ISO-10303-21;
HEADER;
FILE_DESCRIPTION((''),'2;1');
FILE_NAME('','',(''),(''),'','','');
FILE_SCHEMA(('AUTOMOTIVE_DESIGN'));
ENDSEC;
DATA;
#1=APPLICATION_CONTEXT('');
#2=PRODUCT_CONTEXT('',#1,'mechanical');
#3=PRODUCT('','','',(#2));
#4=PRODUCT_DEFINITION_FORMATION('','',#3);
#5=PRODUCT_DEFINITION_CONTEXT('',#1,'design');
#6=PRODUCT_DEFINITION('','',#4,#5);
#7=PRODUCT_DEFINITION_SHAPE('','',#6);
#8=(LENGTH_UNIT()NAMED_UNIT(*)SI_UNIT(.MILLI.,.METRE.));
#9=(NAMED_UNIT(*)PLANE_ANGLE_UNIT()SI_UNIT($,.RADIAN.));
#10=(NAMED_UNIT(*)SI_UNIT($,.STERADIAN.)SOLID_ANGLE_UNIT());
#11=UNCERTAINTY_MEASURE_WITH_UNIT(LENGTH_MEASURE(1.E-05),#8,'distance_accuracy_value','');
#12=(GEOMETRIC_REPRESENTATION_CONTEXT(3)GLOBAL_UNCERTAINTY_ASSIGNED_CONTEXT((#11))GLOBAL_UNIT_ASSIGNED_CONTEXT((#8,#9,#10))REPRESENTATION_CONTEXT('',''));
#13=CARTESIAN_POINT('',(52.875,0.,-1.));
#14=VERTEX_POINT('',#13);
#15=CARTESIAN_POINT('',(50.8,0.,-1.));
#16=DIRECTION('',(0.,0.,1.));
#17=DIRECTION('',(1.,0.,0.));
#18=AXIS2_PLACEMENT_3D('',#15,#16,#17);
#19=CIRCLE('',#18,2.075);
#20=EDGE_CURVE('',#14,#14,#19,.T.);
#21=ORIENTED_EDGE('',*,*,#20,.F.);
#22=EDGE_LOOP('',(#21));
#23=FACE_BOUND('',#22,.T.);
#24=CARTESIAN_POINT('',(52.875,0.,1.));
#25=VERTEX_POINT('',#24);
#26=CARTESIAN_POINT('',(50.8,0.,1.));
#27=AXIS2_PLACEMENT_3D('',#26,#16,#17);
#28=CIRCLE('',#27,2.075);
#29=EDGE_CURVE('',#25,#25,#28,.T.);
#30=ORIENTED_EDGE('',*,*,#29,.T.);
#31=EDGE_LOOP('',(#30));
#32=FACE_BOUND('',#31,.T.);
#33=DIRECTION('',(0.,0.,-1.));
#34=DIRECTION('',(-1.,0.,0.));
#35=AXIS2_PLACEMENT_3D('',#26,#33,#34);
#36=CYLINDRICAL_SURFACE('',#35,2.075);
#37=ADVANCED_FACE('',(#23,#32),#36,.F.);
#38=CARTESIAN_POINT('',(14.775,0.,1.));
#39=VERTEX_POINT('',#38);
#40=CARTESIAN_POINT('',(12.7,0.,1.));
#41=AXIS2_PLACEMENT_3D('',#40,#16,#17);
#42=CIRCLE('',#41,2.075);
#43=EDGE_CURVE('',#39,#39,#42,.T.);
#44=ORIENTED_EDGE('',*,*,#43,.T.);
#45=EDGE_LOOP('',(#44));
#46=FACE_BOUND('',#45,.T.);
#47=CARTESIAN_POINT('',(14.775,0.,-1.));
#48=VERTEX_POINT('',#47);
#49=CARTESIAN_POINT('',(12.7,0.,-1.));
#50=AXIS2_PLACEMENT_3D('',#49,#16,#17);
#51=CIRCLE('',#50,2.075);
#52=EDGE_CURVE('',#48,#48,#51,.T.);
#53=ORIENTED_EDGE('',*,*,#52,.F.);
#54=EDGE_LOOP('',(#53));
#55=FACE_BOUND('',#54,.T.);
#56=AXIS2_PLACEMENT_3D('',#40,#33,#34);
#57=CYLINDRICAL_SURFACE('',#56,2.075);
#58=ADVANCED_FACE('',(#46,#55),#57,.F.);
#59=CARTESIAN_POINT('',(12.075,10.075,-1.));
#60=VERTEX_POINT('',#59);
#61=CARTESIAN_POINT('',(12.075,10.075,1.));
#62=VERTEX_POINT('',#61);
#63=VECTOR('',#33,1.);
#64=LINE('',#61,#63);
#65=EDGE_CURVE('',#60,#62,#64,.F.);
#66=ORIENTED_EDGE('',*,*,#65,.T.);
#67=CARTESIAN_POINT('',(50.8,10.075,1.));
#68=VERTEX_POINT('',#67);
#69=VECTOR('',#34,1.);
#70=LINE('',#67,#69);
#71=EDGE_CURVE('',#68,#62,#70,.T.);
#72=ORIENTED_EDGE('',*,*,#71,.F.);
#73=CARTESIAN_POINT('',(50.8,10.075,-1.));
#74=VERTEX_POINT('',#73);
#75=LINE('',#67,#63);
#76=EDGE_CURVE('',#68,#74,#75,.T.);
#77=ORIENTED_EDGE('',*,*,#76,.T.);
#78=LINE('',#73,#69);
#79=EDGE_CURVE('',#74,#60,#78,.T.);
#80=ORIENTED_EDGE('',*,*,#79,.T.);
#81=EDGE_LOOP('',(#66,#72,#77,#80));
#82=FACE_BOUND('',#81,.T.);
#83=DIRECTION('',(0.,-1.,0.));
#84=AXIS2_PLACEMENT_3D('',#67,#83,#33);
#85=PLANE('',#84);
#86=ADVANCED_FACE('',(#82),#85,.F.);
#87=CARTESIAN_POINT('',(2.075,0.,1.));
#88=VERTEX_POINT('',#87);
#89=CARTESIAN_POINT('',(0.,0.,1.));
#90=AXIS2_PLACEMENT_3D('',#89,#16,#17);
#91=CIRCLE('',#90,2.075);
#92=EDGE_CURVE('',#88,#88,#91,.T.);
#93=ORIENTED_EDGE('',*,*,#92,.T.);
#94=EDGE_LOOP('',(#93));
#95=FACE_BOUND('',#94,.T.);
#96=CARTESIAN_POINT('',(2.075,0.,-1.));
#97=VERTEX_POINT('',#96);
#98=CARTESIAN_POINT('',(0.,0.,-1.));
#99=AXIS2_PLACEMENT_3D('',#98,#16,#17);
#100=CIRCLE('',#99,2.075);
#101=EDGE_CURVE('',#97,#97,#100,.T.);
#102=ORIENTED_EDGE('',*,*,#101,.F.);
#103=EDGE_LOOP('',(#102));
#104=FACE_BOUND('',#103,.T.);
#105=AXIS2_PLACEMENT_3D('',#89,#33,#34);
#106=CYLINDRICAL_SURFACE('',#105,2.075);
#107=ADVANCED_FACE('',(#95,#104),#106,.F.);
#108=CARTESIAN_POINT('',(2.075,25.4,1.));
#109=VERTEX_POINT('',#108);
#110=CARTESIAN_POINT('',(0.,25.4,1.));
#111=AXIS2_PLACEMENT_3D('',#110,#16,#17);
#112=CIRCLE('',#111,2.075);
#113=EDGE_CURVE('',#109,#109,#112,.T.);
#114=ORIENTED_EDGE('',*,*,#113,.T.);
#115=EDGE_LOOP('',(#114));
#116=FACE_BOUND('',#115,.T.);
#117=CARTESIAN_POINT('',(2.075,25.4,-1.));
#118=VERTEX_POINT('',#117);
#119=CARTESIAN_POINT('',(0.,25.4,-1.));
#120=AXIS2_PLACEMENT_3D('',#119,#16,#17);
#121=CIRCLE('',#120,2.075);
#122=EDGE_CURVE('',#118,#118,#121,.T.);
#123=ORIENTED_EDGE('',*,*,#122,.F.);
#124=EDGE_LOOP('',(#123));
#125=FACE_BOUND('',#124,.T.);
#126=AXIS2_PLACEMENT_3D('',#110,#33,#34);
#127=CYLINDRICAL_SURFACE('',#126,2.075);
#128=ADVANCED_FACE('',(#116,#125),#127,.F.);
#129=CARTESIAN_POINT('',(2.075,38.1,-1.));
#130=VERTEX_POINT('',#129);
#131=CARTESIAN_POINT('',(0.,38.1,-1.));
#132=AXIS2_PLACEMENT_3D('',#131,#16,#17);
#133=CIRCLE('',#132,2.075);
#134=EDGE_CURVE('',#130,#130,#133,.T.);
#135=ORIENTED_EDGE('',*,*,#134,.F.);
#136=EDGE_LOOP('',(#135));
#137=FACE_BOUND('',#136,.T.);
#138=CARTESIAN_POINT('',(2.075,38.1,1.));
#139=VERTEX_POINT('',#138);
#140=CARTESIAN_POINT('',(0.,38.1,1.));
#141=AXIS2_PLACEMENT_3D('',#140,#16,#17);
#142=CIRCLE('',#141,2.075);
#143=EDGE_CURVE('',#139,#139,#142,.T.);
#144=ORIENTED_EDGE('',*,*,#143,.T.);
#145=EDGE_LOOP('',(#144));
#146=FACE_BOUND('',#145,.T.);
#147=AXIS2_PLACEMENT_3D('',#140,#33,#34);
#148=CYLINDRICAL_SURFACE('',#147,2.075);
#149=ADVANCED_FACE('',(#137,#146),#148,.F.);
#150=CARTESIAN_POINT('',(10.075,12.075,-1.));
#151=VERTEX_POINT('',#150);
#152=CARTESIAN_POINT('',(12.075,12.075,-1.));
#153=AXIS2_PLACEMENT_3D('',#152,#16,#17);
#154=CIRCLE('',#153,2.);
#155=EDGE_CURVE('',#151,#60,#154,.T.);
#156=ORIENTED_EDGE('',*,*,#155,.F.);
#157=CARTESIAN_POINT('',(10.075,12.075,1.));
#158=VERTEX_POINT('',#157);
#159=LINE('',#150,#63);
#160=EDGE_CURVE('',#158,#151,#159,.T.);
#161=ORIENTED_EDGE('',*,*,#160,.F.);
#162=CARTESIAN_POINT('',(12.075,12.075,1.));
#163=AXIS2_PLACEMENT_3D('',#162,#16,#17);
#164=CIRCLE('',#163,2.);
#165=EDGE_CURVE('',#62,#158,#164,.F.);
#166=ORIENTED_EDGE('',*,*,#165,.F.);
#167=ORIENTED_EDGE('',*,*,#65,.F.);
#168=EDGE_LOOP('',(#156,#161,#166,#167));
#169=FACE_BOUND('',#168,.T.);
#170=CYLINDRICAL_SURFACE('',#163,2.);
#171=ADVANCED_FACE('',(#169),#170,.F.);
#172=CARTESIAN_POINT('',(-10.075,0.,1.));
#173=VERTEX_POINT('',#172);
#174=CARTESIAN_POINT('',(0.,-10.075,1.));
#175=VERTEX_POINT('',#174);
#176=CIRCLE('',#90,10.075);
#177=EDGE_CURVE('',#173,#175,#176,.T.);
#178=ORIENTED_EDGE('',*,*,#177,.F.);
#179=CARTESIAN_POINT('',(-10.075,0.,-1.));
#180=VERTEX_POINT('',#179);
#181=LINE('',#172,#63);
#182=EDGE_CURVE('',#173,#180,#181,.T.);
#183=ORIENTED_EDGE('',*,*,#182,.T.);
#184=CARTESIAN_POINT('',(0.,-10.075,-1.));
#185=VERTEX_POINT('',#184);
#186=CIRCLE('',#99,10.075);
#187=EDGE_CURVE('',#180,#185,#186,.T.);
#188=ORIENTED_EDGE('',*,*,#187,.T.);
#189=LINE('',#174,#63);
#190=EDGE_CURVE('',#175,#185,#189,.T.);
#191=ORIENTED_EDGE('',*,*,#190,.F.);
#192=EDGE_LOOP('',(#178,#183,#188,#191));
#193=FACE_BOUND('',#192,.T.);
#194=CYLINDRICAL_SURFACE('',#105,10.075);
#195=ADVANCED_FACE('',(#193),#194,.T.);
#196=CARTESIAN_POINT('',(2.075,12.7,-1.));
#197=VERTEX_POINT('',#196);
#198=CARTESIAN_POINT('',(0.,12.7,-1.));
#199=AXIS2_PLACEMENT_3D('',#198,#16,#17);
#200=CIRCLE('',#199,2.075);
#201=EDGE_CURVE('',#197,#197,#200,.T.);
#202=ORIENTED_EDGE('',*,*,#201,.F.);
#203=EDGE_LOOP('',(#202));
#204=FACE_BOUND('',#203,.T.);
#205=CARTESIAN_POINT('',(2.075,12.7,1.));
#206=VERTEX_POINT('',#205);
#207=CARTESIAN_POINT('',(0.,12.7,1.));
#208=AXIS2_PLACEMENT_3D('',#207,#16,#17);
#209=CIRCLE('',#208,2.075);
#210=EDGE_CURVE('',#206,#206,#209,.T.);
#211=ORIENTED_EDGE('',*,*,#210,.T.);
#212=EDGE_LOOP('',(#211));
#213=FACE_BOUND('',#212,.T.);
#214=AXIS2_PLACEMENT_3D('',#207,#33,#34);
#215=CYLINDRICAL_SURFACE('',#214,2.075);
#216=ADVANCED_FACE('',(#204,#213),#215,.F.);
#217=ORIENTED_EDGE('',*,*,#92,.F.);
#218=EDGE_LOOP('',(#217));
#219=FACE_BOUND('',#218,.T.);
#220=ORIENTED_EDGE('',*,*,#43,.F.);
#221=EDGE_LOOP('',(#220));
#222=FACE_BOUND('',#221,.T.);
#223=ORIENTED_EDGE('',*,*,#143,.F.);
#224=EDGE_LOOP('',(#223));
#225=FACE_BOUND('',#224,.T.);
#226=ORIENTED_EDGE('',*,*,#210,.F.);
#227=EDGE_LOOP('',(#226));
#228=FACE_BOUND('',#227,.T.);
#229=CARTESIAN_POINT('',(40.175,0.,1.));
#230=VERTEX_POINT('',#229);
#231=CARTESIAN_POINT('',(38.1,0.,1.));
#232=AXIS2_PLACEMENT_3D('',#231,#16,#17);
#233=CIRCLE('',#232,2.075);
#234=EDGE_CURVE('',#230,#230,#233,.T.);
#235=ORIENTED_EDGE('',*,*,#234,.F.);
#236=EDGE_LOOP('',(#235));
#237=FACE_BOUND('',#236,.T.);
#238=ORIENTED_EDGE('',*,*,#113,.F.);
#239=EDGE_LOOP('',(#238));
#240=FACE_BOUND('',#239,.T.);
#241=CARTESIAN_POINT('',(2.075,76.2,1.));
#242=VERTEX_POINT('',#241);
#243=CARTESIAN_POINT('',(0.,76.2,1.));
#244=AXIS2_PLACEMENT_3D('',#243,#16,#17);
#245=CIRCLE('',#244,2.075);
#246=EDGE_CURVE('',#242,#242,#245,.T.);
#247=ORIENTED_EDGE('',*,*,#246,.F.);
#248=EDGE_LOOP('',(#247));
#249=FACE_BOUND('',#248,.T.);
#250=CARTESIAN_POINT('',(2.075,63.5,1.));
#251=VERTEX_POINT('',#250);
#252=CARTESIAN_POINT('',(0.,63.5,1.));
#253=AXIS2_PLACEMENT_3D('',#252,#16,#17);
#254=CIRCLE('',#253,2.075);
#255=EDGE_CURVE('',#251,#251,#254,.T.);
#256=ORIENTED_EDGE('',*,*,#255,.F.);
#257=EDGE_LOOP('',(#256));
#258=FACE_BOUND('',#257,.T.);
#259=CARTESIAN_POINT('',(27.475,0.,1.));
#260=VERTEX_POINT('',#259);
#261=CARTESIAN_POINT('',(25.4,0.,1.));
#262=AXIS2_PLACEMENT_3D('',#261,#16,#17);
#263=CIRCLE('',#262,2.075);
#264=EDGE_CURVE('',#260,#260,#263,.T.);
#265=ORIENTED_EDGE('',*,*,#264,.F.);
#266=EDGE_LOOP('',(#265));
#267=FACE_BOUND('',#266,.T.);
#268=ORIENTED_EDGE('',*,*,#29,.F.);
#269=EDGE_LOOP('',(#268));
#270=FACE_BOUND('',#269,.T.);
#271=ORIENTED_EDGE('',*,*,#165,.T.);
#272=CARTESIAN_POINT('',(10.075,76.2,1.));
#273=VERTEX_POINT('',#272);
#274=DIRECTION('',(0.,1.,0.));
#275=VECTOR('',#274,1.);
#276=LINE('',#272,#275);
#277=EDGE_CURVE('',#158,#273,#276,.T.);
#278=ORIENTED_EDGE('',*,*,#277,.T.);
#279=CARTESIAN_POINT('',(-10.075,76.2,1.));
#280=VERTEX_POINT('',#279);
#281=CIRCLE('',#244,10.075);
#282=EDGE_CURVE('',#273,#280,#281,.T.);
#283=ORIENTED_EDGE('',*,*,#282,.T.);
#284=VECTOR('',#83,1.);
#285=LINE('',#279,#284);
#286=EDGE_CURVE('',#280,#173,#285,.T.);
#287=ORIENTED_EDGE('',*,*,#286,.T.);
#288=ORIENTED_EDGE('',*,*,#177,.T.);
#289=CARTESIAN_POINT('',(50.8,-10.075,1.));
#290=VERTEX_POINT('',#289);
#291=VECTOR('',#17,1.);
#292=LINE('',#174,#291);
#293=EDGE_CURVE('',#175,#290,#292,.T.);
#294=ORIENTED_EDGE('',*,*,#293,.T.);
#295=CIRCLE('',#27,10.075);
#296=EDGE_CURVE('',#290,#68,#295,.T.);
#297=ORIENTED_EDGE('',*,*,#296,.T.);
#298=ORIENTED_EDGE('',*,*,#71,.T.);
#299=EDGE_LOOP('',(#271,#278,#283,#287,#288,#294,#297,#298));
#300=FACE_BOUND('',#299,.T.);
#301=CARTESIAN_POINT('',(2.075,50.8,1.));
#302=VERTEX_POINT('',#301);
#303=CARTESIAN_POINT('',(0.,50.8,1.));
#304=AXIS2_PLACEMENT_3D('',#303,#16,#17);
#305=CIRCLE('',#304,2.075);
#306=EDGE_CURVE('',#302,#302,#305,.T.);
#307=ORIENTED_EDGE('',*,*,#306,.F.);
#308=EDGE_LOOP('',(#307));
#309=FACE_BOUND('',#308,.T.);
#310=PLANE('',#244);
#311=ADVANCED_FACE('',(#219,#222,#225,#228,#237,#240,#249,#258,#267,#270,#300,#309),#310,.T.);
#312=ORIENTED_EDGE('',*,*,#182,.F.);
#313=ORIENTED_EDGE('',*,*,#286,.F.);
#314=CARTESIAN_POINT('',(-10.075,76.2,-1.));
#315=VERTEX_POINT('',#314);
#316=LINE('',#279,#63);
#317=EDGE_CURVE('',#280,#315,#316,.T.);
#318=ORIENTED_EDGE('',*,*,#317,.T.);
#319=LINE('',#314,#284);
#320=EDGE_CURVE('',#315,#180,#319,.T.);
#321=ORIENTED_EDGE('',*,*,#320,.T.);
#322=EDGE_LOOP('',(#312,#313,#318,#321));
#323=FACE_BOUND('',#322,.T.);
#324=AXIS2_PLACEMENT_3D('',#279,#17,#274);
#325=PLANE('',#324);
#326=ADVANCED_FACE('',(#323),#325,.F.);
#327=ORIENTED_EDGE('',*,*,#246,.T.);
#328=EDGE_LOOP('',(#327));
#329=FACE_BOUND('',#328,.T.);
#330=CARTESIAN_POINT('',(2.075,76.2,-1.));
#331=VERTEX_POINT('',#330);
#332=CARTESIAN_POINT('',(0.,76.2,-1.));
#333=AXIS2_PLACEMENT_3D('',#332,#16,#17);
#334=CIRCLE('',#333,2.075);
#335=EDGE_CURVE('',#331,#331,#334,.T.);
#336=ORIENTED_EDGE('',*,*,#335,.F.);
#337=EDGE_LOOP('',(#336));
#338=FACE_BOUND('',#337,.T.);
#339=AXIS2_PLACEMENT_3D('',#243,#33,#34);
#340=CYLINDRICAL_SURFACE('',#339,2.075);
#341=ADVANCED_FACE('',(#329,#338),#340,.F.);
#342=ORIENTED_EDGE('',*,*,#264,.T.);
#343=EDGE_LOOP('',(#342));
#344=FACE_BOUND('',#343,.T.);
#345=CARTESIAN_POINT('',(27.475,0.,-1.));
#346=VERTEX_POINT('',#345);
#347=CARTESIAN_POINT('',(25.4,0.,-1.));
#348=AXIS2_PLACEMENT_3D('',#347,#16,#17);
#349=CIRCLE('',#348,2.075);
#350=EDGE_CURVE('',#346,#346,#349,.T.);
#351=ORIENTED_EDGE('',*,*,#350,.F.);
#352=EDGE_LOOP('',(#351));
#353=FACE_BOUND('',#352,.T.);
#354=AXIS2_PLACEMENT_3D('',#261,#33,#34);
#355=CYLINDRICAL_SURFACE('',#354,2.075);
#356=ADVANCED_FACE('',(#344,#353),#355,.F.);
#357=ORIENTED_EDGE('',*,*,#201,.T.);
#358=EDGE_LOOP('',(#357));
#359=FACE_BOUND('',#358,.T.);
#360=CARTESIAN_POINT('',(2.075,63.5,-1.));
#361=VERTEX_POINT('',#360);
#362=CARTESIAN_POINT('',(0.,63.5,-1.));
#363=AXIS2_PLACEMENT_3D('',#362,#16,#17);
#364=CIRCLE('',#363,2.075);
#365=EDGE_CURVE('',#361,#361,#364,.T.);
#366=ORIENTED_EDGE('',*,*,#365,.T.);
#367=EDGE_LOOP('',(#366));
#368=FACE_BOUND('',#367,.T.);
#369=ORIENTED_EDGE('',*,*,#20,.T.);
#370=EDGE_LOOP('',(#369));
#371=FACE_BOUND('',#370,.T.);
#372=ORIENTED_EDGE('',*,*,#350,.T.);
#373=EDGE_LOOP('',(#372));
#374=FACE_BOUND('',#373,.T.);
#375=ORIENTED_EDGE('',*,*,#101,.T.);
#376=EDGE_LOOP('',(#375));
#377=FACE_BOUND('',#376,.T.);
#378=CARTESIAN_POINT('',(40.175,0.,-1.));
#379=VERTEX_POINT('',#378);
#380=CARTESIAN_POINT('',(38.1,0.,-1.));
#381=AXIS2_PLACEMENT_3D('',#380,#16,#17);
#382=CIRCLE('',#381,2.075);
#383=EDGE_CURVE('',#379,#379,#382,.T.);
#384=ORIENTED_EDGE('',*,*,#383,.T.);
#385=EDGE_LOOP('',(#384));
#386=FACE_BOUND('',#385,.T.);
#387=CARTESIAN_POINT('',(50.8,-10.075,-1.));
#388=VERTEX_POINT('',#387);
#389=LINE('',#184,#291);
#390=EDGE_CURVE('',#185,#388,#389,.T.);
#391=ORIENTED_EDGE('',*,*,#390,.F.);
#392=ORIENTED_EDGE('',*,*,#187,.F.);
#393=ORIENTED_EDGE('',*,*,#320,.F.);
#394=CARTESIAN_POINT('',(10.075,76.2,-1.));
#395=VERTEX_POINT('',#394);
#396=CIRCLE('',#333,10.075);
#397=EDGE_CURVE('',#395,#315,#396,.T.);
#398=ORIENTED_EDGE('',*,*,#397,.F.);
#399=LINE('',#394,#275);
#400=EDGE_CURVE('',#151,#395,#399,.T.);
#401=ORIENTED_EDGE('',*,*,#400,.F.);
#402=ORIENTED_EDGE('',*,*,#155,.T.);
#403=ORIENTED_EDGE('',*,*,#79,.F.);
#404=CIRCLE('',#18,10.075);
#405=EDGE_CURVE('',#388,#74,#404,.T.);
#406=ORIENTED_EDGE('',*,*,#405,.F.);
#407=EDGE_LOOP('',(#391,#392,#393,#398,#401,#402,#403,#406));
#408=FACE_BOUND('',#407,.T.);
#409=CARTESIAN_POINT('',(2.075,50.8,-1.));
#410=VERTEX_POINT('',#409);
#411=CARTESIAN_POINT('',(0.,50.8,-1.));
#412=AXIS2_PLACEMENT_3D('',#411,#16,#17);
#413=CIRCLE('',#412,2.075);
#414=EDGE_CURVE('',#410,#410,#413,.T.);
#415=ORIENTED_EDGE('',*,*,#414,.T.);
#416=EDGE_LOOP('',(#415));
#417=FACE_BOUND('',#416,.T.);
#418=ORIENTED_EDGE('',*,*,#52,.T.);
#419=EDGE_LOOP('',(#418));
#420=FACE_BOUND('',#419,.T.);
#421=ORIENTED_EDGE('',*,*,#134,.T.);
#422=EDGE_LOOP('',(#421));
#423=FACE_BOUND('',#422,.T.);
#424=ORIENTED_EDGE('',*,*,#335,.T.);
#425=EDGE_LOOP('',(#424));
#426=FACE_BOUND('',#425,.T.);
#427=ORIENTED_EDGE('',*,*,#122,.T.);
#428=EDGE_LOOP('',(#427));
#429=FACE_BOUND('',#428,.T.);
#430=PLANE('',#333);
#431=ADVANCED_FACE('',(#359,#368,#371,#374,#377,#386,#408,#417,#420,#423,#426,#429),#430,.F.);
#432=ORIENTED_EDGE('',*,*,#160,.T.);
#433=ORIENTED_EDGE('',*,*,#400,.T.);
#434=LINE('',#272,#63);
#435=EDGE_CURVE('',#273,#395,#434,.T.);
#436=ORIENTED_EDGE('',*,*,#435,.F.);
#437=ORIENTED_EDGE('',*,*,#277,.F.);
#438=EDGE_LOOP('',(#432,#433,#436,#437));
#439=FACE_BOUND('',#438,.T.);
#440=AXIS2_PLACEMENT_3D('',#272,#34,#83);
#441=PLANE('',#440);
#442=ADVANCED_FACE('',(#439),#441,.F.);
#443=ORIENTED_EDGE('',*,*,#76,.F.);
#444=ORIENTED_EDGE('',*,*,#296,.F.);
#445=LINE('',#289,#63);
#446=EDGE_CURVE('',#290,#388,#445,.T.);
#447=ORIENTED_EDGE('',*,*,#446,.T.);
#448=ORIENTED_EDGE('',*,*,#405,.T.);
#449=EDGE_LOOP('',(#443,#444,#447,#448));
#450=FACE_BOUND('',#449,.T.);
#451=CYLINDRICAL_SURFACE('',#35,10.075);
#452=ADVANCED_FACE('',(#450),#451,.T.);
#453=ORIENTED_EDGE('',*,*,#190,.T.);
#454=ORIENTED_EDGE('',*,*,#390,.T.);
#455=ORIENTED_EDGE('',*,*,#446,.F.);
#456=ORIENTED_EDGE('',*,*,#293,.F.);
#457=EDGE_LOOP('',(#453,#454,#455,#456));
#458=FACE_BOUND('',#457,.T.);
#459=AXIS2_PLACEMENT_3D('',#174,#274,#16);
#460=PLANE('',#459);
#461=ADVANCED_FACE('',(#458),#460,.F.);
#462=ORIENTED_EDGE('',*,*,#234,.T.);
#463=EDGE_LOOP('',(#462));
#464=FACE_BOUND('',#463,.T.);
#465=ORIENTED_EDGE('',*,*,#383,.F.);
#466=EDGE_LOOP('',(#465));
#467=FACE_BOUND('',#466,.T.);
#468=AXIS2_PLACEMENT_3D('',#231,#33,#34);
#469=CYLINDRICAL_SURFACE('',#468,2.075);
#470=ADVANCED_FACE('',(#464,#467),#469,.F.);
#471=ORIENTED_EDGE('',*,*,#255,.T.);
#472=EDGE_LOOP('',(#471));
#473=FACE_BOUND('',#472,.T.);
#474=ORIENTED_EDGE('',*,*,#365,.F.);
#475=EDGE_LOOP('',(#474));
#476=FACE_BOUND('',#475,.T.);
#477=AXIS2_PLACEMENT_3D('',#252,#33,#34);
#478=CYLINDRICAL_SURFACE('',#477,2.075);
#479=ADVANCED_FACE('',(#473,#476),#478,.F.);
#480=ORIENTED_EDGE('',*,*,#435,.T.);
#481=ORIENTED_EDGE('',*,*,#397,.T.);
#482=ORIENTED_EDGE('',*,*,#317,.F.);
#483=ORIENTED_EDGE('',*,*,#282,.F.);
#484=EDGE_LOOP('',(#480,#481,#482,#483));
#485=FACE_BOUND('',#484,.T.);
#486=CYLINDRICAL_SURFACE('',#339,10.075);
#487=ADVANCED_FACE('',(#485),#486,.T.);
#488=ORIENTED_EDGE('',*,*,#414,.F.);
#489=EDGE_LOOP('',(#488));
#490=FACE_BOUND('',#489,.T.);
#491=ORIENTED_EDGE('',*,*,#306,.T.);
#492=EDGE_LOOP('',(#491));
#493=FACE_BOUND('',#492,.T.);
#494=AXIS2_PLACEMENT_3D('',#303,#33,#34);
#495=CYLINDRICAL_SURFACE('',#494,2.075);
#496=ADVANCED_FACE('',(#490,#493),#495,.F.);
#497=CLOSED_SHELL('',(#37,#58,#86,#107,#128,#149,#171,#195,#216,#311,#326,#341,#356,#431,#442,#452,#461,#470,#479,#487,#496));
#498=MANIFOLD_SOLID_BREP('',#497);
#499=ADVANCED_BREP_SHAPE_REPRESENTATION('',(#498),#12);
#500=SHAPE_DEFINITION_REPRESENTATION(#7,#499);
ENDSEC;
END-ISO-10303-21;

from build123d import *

# Parameters (mm, degrees)
SKETCH1_R           = 2.075
BOSS_EXTRUDE1_DEPTH = 1
FILLET1_R           = 2


with BuildPart() as part:
    # Sketch1 → Boss-Extrude1 (new, symmetric)
    with BuildSketch(Plane.XY):
        with BuildLine():
            Line((-10.075, 76.2), (-10.075, 0))
            ThreePointArc((-10.075, 0), (-7.12410082, -7.12410082), (0, -10.075))
            Line((0, -10.075), (50.8, -10.075))
            ThreePointArc((50.8, -10.075), (60.875, 0), (50.8, 10.075))
            Line((50.8, 10.075), (10.075, 10.075))
            Line((10.075, 10.075), (10.075, 76.2))
            ThreePointArc((10.075, 76.2), (0, 86.275), (-10.075, 76.2))
        make_face()
        Circle(SKETCH1_R, mode=Mode.SUBTRACT)
        with Locations((12.7, 0)):
            Circle(SKETCH1_R, mode=Mode.SUBTRACT)
        with Locations((25.4, 0)):
            Circle(SKETCH1_R, mode=Mode.SUBTRACT)
        with Locations((38.1, 0)):
            Circle(SKETCH1_R, mode=Mode.SUBTRACT)
        with Locations((50.8, 0)):
            Circle(SKETCH1_R, mode=Mode.SUBTRACT)
        with Locations((0, 12.7)):
            Circle(SKETCH1_R, mode=Mode.SUBTRACT)
        with Locations((0, 25.4)):
            Circle(SKETCH1_R, mode=Mode.SUBTRACT)
        with Locations((0, 38.1)):
            Circle(SKETCH1_R, mode=Mode.SUBTRACT)
        with Locations((0, 50.8)):
            Circle(SKETCH1_R, mode=Mode.SUBTRACT)
        with Locations((0, 63.5)):
            Circle(SKETCH1_R, mode=Mode.SUBTRACT)
        with Locations((0, 76.2)):
            Circle(SKETCH1_R, mode=Mode.SUBTRACT)
    extrude(amount=BOSS_EXTRUDE1_DEPTH, both=True)

    # Fillet1
    fillet1_edges = [part.edges().sort_by_distance(p)[0] for p in [
        (10.075, 10.075, 0),
    ]]
    fillet(fillet1_edges, radius=FILLET1_R)


solid = part.part
